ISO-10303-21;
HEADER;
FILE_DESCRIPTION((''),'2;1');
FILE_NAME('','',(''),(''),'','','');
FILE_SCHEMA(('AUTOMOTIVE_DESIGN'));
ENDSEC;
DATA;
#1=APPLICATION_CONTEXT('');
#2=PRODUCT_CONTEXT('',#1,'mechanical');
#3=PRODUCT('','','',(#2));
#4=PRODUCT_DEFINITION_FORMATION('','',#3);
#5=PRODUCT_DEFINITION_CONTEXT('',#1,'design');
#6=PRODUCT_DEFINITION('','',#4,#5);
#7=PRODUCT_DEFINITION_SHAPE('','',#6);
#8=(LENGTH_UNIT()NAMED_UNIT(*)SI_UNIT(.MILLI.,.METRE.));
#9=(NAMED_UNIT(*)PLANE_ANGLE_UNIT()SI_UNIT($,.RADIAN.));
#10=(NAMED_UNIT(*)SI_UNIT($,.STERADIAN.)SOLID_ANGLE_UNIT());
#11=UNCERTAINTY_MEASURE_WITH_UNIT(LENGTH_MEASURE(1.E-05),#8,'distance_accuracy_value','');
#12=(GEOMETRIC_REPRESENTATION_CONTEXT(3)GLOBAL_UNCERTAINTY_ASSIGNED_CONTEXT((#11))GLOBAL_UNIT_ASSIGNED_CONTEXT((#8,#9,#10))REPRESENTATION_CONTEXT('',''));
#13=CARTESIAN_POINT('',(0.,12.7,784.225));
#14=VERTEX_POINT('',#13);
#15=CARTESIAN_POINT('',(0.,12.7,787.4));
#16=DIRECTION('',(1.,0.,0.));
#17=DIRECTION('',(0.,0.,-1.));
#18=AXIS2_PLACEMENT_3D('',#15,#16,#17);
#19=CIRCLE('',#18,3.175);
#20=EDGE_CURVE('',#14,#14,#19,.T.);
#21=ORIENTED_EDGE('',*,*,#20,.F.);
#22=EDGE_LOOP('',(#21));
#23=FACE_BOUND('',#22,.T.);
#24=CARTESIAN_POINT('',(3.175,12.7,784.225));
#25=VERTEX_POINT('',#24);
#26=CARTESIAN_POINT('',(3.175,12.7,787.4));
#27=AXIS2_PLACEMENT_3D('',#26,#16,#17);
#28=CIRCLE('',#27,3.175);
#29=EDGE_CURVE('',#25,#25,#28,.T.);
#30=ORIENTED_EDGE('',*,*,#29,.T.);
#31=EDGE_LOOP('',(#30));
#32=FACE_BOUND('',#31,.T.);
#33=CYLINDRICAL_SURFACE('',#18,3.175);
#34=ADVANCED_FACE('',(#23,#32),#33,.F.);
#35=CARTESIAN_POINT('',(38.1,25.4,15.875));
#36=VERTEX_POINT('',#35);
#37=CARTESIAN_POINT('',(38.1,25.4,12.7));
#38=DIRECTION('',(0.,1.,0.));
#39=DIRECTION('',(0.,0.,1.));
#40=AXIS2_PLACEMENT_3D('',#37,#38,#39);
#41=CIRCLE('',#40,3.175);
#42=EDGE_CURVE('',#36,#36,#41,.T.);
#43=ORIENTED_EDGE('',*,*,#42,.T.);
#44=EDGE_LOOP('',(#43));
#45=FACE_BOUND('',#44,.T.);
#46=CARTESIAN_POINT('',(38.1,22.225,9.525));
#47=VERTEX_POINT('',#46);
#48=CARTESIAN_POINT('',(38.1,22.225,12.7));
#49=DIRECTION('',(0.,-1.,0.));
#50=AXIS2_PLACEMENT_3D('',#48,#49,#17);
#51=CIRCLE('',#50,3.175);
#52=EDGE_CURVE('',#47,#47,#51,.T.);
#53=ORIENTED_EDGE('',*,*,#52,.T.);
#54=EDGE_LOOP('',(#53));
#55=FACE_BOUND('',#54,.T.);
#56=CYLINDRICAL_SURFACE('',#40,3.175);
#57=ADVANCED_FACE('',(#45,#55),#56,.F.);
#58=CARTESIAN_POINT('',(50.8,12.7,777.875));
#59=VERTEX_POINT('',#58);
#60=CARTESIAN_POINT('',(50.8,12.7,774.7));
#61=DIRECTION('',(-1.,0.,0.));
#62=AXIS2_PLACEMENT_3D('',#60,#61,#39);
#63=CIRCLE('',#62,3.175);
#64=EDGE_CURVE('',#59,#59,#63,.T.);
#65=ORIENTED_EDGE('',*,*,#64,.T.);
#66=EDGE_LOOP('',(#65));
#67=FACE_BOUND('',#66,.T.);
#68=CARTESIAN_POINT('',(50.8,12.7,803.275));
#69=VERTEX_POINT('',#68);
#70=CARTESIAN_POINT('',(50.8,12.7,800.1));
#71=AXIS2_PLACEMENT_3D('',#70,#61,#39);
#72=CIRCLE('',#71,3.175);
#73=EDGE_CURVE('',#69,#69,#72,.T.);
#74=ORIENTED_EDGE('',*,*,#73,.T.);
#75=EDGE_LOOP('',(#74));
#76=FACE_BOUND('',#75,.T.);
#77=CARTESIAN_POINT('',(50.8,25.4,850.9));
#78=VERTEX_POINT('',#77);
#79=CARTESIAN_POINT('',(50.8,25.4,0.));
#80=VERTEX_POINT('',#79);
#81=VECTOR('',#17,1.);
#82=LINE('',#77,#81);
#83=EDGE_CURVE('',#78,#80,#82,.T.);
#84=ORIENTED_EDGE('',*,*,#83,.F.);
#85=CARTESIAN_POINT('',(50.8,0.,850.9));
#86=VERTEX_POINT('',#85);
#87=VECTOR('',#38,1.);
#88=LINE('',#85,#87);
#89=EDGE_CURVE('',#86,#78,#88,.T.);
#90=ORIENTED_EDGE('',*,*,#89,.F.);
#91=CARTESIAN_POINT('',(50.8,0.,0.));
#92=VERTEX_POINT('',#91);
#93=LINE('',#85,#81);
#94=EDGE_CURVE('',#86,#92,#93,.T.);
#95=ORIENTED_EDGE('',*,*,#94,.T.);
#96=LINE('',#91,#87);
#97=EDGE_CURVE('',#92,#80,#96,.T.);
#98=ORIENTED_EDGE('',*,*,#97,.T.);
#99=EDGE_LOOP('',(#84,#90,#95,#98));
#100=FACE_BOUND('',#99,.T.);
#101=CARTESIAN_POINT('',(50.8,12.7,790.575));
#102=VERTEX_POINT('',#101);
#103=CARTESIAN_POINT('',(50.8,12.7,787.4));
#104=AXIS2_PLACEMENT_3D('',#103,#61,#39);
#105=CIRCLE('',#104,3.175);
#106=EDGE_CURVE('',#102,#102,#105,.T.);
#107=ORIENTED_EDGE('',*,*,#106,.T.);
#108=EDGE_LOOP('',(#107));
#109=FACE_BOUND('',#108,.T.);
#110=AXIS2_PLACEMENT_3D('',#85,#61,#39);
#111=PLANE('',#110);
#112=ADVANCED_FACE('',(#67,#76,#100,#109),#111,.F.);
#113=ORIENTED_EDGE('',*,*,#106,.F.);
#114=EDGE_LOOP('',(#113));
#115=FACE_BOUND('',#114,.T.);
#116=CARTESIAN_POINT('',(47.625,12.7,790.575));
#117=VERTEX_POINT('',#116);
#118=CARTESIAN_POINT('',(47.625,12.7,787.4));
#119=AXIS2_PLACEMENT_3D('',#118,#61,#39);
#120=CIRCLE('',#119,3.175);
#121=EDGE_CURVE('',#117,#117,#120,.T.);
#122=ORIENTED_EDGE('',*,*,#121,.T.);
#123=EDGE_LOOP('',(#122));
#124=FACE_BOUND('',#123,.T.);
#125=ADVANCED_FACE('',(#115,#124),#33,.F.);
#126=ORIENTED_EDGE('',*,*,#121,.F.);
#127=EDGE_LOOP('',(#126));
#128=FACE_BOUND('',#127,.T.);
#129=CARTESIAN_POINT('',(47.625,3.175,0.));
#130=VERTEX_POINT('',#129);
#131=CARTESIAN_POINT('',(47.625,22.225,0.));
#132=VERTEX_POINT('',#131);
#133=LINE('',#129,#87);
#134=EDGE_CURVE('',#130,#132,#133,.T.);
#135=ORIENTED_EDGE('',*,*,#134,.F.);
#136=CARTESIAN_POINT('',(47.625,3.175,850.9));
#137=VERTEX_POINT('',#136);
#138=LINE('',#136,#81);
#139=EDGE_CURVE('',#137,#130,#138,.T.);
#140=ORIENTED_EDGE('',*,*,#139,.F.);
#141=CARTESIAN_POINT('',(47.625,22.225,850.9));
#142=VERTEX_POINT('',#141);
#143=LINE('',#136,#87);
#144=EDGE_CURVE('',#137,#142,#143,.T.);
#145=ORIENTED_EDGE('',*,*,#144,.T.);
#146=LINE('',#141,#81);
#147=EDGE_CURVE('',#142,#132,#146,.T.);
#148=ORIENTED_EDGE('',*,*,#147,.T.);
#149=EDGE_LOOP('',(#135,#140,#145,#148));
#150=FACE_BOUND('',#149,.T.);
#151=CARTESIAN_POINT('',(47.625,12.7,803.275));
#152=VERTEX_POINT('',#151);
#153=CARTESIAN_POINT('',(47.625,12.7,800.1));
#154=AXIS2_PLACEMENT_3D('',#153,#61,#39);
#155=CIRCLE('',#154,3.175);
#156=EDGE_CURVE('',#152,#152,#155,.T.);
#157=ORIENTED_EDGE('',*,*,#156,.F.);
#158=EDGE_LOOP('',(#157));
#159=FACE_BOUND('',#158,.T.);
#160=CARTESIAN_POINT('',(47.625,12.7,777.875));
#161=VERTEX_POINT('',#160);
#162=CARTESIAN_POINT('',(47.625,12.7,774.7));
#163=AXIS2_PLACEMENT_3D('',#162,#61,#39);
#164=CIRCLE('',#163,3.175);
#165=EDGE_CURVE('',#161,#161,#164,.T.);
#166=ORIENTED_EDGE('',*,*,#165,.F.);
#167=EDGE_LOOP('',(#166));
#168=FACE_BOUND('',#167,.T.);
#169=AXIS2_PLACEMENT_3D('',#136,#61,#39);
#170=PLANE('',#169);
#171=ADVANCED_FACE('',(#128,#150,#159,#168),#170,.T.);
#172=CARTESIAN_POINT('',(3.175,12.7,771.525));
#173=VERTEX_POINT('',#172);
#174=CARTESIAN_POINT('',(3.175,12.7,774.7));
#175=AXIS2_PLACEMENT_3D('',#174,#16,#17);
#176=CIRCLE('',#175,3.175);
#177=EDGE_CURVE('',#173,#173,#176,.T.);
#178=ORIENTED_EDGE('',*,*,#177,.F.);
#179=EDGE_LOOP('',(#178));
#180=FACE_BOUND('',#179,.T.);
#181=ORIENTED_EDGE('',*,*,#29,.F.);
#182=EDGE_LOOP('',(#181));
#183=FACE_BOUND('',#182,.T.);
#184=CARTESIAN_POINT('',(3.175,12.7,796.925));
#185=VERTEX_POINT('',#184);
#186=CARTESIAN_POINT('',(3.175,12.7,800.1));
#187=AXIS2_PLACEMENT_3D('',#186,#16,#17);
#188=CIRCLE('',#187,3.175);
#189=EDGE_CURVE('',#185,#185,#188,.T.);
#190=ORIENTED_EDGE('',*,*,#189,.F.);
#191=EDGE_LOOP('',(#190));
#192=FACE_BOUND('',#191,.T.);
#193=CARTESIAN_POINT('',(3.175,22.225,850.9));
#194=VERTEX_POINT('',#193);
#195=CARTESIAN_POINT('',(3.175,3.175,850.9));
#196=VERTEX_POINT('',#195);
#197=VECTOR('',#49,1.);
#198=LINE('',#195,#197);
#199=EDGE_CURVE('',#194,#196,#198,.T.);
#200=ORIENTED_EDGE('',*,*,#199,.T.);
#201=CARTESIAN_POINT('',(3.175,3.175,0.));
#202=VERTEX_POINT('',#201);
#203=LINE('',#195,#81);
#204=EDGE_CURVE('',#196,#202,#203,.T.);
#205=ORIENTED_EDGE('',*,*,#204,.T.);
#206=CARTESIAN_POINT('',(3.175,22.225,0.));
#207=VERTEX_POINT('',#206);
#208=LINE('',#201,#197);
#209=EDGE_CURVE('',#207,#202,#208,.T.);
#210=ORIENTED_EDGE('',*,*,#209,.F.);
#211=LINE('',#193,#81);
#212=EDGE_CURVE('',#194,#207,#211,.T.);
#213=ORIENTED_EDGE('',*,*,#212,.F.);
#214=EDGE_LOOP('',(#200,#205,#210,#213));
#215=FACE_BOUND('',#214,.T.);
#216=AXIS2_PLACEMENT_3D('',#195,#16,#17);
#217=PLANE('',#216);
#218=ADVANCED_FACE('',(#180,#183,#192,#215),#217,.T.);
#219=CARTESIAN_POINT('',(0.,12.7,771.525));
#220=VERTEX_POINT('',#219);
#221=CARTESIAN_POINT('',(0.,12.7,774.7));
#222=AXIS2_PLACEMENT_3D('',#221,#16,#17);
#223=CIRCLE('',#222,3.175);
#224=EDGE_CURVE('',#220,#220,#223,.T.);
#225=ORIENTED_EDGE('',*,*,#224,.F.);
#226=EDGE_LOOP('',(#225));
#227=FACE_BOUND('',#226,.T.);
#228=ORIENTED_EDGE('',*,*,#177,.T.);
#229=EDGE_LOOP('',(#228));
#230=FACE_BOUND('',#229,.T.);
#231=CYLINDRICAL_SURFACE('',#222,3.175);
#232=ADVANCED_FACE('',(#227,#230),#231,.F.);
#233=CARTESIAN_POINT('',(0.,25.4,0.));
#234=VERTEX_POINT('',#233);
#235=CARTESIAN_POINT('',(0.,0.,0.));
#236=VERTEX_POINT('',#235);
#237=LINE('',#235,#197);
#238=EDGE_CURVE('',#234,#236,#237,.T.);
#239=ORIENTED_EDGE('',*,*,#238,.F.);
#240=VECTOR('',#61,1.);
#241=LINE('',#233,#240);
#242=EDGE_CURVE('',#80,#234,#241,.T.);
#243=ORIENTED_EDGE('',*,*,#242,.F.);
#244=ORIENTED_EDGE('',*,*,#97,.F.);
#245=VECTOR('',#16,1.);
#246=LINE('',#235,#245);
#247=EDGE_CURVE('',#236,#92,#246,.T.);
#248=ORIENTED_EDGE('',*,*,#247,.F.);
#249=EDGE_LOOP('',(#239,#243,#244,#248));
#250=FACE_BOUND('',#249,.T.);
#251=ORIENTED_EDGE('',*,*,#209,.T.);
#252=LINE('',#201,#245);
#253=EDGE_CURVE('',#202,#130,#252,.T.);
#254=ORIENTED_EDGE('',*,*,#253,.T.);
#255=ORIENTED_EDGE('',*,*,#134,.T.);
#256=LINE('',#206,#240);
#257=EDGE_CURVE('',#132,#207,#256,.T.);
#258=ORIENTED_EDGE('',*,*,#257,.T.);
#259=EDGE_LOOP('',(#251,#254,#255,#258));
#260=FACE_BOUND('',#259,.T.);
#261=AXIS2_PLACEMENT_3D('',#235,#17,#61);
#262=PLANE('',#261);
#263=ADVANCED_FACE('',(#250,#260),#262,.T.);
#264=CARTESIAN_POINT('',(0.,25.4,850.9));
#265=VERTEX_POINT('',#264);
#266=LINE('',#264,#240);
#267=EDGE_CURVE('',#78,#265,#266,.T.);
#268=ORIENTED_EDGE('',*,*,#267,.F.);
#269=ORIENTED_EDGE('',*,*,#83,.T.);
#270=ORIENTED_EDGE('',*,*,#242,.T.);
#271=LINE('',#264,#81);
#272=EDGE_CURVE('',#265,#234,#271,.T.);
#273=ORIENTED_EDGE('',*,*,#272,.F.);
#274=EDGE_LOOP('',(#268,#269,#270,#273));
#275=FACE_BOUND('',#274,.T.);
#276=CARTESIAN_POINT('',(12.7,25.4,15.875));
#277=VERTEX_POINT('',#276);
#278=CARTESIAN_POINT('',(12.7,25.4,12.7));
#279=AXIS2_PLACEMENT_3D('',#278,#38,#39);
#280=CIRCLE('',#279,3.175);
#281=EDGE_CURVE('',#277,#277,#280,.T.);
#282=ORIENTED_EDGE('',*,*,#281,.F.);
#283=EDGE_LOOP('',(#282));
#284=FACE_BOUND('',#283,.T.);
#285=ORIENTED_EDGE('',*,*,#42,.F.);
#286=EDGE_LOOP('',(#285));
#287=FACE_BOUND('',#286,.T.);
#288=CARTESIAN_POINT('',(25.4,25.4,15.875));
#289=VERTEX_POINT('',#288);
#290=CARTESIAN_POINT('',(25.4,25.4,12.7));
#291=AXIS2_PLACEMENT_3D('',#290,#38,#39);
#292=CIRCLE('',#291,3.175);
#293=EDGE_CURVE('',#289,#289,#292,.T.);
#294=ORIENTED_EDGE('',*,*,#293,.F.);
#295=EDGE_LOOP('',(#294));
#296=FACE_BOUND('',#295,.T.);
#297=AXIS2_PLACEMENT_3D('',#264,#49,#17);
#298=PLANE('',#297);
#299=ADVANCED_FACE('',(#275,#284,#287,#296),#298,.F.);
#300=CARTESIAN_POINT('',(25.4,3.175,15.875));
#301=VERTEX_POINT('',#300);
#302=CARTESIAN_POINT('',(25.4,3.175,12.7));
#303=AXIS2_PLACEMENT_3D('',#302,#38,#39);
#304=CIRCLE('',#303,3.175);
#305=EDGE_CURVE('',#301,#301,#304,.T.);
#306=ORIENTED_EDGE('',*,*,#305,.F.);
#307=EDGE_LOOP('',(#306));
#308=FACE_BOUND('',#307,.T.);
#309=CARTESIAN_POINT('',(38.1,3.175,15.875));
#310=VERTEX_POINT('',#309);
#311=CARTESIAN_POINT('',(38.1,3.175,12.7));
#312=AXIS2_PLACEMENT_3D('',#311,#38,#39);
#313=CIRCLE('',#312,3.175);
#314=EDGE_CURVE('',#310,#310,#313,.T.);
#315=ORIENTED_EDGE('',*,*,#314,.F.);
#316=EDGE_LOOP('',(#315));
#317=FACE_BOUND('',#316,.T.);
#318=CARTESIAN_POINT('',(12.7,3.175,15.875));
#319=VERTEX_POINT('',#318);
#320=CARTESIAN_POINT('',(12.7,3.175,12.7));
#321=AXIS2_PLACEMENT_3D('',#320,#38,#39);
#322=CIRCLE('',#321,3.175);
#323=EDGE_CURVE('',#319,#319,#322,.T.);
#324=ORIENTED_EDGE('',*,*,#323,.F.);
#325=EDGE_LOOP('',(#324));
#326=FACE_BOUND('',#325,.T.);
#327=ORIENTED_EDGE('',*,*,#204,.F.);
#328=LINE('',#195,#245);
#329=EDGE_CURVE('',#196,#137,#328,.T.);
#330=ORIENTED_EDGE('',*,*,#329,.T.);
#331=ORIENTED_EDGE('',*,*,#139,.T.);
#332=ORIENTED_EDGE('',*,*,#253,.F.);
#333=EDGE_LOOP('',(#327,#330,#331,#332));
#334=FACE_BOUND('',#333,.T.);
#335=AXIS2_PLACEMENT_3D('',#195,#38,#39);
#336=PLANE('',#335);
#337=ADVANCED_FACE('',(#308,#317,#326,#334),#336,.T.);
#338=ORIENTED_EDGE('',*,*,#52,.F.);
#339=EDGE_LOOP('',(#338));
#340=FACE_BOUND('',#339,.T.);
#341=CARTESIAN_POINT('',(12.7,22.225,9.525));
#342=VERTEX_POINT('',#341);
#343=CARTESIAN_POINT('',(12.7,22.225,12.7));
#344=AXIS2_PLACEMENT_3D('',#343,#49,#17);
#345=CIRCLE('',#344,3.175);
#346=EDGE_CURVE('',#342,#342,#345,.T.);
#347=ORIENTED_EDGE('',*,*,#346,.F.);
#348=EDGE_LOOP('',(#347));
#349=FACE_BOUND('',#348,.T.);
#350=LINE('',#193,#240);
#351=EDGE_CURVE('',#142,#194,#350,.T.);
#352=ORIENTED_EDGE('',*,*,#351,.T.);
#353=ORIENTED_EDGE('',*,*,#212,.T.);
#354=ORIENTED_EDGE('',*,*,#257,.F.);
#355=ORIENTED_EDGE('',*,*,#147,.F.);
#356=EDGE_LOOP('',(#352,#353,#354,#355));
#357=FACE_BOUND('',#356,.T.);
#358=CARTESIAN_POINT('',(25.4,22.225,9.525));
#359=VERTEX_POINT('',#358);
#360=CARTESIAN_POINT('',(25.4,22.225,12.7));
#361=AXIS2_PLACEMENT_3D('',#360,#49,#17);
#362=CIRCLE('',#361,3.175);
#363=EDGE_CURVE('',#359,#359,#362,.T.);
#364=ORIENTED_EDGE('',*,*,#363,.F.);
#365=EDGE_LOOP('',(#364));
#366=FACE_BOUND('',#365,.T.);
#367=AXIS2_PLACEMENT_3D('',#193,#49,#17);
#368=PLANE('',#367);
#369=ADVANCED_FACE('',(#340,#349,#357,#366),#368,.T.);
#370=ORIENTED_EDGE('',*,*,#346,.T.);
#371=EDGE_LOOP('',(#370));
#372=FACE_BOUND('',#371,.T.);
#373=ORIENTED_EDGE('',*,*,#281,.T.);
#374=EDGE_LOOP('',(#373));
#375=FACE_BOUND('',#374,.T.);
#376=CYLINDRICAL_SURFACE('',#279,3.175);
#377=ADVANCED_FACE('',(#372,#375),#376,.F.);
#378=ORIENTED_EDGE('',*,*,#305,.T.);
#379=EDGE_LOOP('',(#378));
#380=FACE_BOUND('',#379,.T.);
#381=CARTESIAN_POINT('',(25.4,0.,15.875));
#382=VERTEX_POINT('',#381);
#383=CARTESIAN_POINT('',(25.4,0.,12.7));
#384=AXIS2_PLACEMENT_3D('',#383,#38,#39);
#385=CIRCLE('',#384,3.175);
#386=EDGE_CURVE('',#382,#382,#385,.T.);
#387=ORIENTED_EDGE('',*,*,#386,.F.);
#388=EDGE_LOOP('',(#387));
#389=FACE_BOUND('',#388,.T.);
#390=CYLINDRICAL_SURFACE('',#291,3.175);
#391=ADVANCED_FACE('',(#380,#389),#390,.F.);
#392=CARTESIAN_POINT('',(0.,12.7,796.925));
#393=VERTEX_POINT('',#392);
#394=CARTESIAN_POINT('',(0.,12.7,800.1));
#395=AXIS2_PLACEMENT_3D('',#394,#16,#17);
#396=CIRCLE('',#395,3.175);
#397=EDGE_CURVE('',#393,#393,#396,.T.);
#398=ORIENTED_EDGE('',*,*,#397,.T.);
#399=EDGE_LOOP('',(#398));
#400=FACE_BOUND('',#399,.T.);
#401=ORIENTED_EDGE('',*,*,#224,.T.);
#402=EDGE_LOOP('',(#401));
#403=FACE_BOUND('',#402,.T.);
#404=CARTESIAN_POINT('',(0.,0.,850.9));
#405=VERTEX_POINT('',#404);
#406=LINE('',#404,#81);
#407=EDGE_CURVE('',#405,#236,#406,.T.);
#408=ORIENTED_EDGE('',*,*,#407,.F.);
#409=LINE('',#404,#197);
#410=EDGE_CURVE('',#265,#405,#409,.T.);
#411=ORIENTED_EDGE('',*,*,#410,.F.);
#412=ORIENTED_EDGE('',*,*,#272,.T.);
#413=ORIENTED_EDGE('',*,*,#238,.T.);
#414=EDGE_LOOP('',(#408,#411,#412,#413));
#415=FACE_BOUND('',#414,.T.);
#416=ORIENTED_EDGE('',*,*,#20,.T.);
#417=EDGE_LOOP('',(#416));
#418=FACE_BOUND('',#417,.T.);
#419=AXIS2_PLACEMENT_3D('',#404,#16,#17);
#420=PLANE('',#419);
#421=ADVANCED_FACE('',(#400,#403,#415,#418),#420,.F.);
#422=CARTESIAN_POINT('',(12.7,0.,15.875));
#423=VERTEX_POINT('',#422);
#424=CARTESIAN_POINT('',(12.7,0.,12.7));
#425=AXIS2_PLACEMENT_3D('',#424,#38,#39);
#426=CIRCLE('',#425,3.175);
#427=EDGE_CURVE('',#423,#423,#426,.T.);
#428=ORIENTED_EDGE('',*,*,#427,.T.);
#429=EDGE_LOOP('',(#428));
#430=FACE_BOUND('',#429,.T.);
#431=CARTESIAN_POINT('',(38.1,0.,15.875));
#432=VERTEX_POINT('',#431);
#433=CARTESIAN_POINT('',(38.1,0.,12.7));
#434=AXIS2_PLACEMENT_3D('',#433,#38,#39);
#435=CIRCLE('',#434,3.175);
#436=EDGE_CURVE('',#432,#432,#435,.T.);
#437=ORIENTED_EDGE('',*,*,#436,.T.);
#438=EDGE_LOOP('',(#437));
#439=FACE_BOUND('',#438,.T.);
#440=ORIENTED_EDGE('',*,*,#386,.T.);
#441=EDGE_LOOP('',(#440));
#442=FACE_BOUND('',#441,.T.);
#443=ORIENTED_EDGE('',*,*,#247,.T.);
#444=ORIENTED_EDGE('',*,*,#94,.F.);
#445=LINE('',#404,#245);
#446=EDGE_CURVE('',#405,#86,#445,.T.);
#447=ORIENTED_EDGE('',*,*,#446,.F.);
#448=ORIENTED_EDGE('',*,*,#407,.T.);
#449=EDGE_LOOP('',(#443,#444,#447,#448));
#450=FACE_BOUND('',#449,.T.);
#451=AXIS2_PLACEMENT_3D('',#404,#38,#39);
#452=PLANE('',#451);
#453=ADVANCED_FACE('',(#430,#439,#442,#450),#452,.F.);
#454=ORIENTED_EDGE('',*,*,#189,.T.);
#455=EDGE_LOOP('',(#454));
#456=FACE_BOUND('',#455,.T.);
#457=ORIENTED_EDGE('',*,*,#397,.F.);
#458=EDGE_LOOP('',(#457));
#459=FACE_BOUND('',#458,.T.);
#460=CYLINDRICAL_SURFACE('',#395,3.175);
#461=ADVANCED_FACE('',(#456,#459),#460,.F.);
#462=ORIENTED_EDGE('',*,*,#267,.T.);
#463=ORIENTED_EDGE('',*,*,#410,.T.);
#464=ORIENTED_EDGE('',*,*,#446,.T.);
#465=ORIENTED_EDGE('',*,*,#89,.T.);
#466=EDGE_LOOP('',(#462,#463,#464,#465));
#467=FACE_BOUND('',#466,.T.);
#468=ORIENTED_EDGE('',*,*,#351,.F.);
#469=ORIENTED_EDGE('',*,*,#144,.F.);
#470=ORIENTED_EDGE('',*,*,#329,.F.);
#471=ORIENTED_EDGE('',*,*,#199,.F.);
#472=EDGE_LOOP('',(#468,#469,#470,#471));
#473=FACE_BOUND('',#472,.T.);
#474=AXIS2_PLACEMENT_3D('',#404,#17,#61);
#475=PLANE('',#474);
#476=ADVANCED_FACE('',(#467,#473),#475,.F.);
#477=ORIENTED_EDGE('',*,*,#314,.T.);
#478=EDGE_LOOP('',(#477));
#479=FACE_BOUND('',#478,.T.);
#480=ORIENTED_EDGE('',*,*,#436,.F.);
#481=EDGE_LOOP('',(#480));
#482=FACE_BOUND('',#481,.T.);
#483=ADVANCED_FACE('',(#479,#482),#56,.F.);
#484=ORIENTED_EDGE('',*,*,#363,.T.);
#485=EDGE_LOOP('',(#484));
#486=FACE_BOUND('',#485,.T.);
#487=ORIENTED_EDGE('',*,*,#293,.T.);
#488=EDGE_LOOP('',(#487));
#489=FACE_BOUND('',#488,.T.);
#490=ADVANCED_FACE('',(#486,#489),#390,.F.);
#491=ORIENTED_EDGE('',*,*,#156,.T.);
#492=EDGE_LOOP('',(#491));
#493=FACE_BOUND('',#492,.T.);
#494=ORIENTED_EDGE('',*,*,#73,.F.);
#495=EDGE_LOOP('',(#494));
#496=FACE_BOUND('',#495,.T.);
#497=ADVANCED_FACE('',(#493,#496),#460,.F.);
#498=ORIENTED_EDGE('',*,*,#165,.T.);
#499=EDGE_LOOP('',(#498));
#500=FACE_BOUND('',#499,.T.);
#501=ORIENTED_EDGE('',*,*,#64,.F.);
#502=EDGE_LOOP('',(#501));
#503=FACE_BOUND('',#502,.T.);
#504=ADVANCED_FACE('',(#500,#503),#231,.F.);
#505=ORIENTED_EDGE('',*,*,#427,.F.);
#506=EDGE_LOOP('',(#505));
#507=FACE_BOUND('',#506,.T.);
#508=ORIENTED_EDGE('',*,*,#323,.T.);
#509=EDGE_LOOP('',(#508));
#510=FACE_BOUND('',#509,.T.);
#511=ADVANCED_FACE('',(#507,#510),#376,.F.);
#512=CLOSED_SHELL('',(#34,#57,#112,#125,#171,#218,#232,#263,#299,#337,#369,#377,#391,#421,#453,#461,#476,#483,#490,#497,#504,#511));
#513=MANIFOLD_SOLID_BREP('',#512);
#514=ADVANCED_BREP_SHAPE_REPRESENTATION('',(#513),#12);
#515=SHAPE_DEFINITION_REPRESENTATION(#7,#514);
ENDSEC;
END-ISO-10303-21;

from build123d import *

# Parameters (mm, degrees)
SKETCH1_W                   = 50.8
SKETCH1_H                   = 25.4
SKETCH1_W_2                 = 44.45
SKETCH1_H_2                 = 19.05
BOSS_EXTRUDE1_DEPTH         = 850.9
CUT_EXTRUDE1_DEPTH          = 853.793415781
CUT_EXTRUDE1_DEPTH_BACK     = 853.793415781
SKETCH2_R                   = 3.175
F_1_4_0_25_DIAMETER_HOLE3_D = 6.35


with BuildPart() as part:
    # Sketch1 → Boss-Extrude1 (new body)
    with BuildSketch(Plane.XY):
        with Locations((25.4, 12.7)):
            Rectangle(SKETCH1_W, SKETCH1_H)
        with Locations((25.4, 12.7)):
            Rectangle(SKETCH1_W_2, SKETCH1_H_2, mode=Mode.SUBTRACT)
    extrude(amount=BOSS_EXTRUDE1_DEPTH)

    # Sketch2 → Cut-Extrude1 (cut, two sides: drawn at the far end of the back side and taken through both)
    with BuildSketch(Plane(origin=(50.8, 0, 0), x_dir=(0, 0, -1), z_dir=(1, 0, 0)).offset(-CUT_EXTRUDE1_DEPTH_BACK)):
        with Locations(Location((-800.1, 12.7, 0), (0, 0, 180))):
            Circle(SKETCH2_R)
        with Locations(Location((-787.4, 12.7, 0), (0, 0, 180))):
            Circle(SKETCH2_R)
        with Locations(Location((-774.7, 12.7, 0), (0, 0, 180))):
            Circle(SKETCH2_R)
    extrude(amount=CUT_EXTRUDE1_DEPTH + CUT_EXTRUDE1_DEPTH_BACK, mode=Mode.SUBTRACT)

    # 1/4 (0.25) Diameter Hole3 (through all)
    with Locations(Plane(origin=(0, 25.4, 0), x_dir=(1, 0, 0), z_dir=(0, 1, 0))):
        with Locations((12.7, -12.7), (25.4, -12.7), (38.1, -12.7)):
            Hole(F_1_4_0_25_DIAMETER_HOLE3_D / 2)


solid = part.part
